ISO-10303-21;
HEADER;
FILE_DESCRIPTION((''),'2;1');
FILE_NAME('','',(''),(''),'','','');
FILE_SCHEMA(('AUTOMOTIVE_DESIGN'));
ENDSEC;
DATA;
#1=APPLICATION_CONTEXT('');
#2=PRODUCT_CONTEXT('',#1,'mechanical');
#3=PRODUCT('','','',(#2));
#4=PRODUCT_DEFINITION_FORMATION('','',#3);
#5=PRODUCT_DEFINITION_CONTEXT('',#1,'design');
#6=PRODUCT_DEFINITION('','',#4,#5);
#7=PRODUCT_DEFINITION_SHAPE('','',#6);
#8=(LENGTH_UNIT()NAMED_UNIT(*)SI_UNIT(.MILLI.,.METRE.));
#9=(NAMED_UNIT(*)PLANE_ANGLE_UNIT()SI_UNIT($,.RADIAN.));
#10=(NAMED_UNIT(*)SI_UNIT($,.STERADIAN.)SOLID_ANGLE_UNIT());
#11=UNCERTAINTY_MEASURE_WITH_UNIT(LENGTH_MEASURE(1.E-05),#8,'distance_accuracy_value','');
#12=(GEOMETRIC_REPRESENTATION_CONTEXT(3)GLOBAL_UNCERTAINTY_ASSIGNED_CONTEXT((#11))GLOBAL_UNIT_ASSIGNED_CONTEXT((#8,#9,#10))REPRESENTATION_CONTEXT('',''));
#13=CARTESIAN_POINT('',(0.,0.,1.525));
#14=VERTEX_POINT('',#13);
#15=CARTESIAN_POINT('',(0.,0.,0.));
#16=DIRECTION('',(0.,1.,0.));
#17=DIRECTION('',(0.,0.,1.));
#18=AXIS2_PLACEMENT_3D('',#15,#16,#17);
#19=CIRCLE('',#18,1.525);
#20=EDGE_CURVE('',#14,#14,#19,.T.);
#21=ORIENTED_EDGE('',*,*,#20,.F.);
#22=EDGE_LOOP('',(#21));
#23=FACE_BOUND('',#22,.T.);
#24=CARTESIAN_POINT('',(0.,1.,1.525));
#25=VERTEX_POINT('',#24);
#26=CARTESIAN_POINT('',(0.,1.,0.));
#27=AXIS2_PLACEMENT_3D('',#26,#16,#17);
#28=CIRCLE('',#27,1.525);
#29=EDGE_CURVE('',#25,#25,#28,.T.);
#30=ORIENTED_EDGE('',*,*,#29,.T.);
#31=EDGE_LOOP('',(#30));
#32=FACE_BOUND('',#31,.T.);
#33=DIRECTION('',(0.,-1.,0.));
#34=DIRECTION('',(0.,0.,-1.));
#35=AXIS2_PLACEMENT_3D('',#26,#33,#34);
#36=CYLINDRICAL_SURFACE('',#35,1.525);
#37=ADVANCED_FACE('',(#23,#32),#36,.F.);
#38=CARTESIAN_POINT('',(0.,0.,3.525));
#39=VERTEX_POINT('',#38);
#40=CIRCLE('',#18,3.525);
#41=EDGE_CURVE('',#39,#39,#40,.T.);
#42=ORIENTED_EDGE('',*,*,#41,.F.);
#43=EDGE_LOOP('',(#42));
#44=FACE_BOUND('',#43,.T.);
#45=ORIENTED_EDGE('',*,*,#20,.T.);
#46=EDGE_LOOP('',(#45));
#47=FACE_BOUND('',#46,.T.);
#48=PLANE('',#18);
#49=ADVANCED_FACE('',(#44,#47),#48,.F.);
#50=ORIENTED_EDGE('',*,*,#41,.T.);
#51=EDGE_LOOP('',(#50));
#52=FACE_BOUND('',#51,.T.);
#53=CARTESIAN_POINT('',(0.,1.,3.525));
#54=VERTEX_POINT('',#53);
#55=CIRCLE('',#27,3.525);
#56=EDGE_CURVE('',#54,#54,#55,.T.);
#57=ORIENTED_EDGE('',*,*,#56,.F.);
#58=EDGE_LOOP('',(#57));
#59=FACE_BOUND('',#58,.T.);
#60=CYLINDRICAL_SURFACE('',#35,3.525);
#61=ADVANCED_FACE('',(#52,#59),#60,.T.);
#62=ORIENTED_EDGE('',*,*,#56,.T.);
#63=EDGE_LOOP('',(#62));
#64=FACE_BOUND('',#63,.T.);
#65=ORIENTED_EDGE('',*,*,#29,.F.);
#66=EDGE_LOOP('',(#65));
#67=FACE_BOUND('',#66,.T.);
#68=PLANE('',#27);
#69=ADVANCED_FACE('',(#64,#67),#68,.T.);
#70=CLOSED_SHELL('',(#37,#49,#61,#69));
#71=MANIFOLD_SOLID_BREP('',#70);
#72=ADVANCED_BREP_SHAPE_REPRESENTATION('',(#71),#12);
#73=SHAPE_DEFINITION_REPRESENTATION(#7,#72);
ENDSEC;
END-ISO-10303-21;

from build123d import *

# Parameters (mm, degrees)
SKETCH_1_R      = 3.525
SKETCH_1_R_2    = 1.525
EXTRUDE_1_DEPTH = 1


with BuildPart() as part:
    # 草图1 → 凸台-拉伸1 (new body)
    with BuildSketch(Plane(origin=(0, 0, 0), x_dir=(1, 0, 0), z_dir=(0, 1, 0))):
        Circle(SKETCH_1_R)
        Circle(SKETCH_1_R_2, mode=Mode.SUBTRACT)
    extrude(amount=EXTRUDE_1_DEPTH)


solid = part.part
